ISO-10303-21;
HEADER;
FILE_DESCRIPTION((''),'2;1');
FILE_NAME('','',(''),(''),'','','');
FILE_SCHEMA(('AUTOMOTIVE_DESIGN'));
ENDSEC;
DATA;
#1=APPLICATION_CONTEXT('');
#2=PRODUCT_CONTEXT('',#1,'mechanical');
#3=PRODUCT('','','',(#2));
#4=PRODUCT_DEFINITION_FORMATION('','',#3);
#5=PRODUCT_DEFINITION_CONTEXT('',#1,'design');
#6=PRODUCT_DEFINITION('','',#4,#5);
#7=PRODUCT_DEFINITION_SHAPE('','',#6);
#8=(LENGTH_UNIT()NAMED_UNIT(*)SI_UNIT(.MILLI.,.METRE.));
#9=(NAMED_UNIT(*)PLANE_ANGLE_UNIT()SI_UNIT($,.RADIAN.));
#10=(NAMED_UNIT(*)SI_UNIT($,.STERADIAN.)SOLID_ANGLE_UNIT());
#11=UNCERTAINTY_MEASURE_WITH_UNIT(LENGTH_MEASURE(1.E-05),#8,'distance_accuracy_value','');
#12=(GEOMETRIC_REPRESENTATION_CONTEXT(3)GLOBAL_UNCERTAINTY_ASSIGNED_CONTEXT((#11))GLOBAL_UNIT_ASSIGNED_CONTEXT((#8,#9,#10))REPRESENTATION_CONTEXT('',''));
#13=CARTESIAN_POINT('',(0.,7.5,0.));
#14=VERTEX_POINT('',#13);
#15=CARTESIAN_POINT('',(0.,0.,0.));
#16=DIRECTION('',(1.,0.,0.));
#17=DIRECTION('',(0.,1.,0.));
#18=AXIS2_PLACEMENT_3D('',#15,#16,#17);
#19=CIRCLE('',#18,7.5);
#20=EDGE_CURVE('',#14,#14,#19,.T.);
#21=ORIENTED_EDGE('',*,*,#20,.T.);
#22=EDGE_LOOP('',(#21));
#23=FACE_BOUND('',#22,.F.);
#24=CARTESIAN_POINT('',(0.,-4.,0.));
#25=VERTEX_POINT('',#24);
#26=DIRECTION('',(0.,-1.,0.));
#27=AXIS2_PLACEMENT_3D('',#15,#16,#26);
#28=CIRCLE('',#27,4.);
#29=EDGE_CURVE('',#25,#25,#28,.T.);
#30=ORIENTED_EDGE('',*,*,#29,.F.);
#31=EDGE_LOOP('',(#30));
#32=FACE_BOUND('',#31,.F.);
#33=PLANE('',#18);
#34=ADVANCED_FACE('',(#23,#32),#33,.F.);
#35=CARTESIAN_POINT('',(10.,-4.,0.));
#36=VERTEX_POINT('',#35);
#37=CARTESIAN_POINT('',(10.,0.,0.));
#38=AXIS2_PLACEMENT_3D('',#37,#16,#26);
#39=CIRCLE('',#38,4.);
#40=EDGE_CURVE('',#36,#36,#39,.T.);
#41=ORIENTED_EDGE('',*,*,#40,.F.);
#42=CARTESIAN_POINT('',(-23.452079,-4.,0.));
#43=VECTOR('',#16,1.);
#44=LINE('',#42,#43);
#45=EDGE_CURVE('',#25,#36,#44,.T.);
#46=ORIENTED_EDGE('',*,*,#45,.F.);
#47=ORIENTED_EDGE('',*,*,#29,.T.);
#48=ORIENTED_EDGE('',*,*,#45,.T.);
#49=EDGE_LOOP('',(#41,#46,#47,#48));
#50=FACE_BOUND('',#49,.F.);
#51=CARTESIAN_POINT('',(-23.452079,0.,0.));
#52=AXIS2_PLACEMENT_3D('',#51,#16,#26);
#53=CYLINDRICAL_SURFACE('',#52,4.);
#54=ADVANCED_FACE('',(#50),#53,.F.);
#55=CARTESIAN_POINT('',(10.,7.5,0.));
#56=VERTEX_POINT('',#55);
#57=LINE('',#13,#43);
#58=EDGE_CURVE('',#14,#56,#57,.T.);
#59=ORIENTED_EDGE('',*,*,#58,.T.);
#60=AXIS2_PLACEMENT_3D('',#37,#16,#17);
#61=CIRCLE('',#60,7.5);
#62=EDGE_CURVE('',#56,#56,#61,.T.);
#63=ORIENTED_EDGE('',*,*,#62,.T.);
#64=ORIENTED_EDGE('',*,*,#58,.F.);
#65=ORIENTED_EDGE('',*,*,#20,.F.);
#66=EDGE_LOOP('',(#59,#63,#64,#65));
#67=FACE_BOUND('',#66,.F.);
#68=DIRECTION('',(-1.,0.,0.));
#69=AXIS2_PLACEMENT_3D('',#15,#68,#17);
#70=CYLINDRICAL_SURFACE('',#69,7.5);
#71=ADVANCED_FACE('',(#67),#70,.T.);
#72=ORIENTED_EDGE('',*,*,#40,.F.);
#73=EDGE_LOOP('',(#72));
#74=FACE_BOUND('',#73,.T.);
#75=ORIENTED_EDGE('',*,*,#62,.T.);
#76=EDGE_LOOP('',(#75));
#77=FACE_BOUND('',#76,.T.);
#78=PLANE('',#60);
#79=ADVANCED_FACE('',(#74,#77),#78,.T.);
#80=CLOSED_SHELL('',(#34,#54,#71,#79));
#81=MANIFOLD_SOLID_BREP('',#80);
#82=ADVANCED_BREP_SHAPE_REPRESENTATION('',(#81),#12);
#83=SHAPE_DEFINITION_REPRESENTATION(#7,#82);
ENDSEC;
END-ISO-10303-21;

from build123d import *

# Parameters (mm, degrees)
F0_R     = 7.5
F1_DEPTH = 10
F3_D     = 8


with BuildPart() as f1:
    # F0 (on Right) → F1 (new body)
    with BuildSketch(Plane.YZ):
        Circle(F0_R)
    extrude(amount=F1_DEPTH)

    # F3 (through all)
    with Locations(Plane(origin=(0, 0, 0), x_dir=(0, 1, 0), z_dir=(-1, 0, 0))):
        with Locations((0, 0)):
            Hole(F3_D / 2)


solid = f1.part
